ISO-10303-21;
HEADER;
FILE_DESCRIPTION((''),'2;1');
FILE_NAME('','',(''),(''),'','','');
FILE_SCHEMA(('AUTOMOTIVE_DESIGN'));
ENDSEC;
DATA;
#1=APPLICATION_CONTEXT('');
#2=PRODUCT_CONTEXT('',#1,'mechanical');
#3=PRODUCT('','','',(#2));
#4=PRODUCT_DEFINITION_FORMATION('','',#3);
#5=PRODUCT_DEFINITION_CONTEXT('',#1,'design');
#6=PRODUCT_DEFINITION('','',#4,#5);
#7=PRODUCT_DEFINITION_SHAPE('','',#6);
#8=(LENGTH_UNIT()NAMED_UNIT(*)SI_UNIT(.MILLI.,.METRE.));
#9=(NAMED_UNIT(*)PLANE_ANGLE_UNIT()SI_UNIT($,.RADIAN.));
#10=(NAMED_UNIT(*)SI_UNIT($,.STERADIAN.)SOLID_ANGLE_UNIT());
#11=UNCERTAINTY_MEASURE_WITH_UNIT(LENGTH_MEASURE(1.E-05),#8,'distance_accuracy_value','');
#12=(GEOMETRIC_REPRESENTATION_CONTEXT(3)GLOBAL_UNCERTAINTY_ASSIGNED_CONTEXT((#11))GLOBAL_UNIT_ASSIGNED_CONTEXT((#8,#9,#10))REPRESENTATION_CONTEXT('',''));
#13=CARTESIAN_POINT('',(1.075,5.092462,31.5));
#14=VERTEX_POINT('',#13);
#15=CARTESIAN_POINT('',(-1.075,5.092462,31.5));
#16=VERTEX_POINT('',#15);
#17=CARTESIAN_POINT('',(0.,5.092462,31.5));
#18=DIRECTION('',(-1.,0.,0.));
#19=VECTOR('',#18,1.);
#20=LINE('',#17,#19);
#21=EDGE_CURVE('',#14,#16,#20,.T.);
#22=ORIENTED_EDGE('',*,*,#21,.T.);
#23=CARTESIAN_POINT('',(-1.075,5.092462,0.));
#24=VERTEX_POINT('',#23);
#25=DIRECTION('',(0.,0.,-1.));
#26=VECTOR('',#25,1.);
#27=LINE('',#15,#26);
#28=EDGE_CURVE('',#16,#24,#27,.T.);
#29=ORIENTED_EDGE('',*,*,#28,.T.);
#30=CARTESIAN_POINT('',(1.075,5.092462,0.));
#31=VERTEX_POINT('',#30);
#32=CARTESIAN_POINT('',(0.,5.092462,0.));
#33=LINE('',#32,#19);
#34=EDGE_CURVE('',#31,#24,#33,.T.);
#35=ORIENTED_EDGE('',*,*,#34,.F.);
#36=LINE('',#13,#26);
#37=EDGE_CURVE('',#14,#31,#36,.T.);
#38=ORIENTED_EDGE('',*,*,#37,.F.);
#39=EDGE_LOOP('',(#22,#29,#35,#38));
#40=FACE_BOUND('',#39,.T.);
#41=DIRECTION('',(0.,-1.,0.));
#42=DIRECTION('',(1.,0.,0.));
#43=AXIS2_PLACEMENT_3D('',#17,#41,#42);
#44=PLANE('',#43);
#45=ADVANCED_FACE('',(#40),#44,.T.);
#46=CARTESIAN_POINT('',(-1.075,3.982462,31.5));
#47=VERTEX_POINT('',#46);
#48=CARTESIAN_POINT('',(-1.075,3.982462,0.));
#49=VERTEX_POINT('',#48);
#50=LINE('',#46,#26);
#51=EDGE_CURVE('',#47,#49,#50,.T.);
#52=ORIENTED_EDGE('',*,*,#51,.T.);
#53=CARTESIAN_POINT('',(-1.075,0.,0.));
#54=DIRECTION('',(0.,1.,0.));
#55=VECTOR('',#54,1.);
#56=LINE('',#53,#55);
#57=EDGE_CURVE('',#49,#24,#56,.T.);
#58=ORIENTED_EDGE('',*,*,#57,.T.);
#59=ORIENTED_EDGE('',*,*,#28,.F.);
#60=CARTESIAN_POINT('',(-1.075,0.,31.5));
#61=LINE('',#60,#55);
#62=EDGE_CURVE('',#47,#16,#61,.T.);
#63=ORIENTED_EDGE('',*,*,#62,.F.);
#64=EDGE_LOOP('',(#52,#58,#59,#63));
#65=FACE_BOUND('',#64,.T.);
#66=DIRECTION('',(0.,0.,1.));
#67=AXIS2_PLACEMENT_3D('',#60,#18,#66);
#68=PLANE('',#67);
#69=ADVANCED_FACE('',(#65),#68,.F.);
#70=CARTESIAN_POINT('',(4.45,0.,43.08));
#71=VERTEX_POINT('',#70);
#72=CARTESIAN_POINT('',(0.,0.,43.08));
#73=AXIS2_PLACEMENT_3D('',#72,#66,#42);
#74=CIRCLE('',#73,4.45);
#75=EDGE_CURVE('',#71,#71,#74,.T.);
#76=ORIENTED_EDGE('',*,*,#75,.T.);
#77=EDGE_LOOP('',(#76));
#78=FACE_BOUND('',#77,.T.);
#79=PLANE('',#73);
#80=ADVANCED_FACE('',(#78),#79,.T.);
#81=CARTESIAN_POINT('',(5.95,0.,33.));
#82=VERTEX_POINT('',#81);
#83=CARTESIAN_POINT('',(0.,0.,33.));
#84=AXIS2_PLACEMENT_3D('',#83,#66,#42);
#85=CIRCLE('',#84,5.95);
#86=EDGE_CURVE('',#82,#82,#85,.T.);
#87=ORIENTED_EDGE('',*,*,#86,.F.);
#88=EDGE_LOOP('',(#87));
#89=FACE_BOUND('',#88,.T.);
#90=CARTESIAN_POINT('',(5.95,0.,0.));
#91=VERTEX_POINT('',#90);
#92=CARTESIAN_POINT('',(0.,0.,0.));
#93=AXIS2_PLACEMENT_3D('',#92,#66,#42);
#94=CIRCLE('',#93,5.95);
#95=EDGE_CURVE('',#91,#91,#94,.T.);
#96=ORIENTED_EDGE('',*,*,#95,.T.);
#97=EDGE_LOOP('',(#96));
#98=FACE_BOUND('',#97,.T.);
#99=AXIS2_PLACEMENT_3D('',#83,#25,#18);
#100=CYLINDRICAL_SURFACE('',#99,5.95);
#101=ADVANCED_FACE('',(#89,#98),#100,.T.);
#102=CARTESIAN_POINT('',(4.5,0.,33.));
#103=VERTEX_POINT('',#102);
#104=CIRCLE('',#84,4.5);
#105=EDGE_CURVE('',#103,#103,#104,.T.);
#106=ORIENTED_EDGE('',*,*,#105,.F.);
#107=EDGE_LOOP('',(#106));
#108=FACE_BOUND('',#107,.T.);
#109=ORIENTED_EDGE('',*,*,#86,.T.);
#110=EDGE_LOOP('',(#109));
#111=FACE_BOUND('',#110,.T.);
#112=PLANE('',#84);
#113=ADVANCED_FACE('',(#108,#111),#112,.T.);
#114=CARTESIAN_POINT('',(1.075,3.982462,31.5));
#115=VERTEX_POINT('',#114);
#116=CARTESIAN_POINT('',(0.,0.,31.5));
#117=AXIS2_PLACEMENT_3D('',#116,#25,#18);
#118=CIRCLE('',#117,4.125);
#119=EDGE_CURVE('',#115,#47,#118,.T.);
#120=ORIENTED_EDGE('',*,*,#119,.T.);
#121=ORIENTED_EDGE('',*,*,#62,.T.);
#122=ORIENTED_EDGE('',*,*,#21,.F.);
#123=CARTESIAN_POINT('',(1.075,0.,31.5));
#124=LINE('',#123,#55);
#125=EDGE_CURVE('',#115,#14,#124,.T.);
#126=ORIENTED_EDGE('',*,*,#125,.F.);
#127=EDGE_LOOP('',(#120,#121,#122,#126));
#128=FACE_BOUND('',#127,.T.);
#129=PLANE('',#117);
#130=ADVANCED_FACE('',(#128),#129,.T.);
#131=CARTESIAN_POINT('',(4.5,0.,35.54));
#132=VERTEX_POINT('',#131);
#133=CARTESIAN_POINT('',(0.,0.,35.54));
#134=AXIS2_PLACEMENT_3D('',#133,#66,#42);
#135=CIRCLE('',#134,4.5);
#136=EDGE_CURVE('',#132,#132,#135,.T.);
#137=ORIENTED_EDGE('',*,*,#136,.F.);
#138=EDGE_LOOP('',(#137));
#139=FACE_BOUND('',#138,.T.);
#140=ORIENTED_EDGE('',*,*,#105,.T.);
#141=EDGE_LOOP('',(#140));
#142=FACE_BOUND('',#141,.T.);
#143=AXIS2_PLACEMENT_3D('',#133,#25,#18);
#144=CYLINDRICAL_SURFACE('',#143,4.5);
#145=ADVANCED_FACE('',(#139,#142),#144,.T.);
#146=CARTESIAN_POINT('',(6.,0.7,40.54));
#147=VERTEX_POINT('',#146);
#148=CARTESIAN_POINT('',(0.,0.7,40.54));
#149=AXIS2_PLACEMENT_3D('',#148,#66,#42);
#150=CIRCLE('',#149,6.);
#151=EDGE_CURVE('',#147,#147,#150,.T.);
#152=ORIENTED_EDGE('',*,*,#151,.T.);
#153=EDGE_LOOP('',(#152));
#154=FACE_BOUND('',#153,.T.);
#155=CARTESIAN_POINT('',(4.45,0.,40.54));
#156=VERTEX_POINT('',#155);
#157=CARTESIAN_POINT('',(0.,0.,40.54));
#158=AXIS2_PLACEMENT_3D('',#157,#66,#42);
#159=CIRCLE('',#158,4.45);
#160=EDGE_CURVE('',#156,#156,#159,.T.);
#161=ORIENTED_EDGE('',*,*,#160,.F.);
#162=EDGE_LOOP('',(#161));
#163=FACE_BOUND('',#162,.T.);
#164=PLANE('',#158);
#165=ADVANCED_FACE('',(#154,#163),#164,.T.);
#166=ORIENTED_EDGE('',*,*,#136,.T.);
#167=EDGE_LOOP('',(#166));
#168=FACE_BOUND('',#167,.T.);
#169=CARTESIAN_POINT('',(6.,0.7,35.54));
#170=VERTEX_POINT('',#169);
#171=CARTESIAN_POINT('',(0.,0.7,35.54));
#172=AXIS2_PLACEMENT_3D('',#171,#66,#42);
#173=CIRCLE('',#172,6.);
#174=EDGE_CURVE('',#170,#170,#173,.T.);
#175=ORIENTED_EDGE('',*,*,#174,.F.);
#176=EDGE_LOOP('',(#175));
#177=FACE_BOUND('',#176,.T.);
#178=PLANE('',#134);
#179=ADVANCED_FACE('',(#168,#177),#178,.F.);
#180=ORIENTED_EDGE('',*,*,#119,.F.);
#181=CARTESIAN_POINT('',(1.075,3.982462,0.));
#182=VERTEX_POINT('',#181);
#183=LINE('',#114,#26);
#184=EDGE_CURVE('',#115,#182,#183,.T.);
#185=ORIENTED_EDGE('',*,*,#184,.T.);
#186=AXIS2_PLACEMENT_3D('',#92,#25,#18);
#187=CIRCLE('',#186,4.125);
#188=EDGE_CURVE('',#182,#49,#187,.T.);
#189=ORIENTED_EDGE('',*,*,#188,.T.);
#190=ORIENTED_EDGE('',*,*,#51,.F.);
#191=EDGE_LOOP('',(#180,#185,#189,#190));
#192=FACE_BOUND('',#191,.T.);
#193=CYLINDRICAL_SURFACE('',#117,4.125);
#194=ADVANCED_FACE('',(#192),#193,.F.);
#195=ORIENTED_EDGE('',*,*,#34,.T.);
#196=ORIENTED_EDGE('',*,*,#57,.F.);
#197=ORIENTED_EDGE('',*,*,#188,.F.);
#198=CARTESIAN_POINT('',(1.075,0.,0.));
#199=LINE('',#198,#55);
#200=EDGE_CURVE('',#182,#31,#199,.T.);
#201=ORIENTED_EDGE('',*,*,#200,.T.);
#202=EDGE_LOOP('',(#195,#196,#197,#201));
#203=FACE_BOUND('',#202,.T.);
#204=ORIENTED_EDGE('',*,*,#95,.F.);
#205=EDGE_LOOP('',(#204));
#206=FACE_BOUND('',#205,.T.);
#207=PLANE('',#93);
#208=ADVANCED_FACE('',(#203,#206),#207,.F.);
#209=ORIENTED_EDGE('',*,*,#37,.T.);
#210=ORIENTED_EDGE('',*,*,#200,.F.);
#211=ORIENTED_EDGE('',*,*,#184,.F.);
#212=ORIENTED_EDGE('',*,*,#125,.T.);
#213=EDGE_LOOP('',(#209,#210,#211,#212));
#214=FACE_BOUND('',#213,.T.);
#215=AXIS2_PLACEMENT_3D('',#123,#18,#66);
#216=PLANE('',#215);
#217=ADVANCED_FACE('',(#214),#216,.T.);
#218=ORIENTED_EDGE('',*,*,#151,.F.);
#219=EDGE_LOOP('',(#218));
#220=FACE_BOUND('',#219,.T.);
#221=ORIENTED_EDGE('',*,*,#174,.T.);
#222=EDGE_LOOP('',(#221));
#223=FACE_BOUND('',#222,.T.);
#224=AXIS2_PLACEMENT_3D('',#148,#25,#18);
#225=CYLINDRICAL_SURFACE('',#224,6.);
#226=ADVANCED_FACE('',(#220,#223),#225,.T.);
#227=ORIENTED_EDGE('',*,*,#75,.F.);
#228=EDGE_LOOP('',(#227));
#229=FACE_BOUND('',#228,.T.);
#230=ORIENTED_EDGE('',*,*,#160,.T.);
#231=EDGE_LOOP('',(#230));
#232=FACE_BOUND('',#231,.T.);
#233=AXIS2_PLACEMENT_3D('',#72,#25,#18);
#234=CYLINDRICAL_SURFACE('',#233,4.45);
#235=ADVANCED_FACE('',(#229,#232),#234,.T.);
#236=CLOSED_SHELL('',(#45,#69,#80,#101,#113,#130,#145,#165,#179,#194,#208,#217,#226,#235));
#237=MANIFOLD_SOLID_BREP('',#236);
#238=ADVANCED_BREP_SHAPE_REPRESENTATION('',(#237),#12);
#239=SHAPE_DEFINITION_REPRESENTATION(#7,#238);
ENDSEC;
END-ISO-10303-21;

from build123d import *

# Parameters (mm, degrees)
SKETCH1_R           = 5.95
BOSS_EXTRUDE1_DEPTH = 33
SKETCH7_R           = 4.5
BOSS_EXTRUDE7_DEPTH = 2.54
SKETCH3_R           = 6
BOSS_EXTRUDE3_DEPTH = 5
SKETCH4_R           = 4.45
BOSS_EXTRUDE4_DEPTH = 2.54
CUT_EXTRUDE1_DEPTH  = 31.5


with BuildPart() as part:
    # Sketch1 → Boss-Extrude1 (new body)
    with BuildSketch(Plane.XY):
        Circle(SKETCH1_R)
    extrude(amount=BOSS_EXTRUDE1_DEPTH)

    # Sketch7 → Boss-Extrude7 (add)
    with BuildSketch(Plane.XY.offset(33)):
        Circle(SKETCH7_R)
    extrude(amount=BOSS_EXTRUDE7_DEPTH)

    # Sketch3 → Boss-Extrude3 (add)
    with BuildSketch(Plane.XY.offset(35.54)):
        with Locations((0, 0.7)):
            Circle(SKETCH3_R)
    extrude(amount=BOSS_EXTRUDE3_DEPTH)

    # Sketch4 → Boss-Extrude4 (add)
    with BuildSketch(Plane.XY.offset(40.54)):
        Circle(SKETCH4_R)
    extrude(amount=BOSS_EXTRUDE4_DEPTH)

    # Sketch5 → Cut-Extrude1 (cut)
    with BuildSketch(Plane(origin=(0, 0, 0), x_dir=(-1, 0, 0), z_dir=(0, 0, -1))):
        with BuildLine():
            Line((-1.075, 5.09246155), (-1.075, 3.98246155))
            ThreePointArc((-1.075, 3.98246155), (0, 4.125), (1.075, 3.98246155))
            Line((1.075, 3.98246155), (1.075, 5.09246155))
            Line((1.075, 5.09246155), (-1.075, 5.09246155))
        make_face()
        with BuildLine():
            ThreePointArc((1.075, 3.98246155), (0, 4.125), (-1.075, 3.98246155))
            Line((-1.075, 3.98246155), (1.075, 3.98246155))
        make_face()
        with BuildLine():
            Line((1.075, 3.98246155), (-1.075, 3.98246155))
            ThreePointArc((-1.075, 3.98246155), (-2.50811184, -3.274904579), (4.125, 0))
            ThreePointArc((4.125, 0), (3.274904579, 2.50811184), (1.075, 3.98246155))
        make_face()
    extrude(amount=-CUT_EXTRUDE1_DEPTH, mode=Mode.SUBTRACT)


solid = part.part
